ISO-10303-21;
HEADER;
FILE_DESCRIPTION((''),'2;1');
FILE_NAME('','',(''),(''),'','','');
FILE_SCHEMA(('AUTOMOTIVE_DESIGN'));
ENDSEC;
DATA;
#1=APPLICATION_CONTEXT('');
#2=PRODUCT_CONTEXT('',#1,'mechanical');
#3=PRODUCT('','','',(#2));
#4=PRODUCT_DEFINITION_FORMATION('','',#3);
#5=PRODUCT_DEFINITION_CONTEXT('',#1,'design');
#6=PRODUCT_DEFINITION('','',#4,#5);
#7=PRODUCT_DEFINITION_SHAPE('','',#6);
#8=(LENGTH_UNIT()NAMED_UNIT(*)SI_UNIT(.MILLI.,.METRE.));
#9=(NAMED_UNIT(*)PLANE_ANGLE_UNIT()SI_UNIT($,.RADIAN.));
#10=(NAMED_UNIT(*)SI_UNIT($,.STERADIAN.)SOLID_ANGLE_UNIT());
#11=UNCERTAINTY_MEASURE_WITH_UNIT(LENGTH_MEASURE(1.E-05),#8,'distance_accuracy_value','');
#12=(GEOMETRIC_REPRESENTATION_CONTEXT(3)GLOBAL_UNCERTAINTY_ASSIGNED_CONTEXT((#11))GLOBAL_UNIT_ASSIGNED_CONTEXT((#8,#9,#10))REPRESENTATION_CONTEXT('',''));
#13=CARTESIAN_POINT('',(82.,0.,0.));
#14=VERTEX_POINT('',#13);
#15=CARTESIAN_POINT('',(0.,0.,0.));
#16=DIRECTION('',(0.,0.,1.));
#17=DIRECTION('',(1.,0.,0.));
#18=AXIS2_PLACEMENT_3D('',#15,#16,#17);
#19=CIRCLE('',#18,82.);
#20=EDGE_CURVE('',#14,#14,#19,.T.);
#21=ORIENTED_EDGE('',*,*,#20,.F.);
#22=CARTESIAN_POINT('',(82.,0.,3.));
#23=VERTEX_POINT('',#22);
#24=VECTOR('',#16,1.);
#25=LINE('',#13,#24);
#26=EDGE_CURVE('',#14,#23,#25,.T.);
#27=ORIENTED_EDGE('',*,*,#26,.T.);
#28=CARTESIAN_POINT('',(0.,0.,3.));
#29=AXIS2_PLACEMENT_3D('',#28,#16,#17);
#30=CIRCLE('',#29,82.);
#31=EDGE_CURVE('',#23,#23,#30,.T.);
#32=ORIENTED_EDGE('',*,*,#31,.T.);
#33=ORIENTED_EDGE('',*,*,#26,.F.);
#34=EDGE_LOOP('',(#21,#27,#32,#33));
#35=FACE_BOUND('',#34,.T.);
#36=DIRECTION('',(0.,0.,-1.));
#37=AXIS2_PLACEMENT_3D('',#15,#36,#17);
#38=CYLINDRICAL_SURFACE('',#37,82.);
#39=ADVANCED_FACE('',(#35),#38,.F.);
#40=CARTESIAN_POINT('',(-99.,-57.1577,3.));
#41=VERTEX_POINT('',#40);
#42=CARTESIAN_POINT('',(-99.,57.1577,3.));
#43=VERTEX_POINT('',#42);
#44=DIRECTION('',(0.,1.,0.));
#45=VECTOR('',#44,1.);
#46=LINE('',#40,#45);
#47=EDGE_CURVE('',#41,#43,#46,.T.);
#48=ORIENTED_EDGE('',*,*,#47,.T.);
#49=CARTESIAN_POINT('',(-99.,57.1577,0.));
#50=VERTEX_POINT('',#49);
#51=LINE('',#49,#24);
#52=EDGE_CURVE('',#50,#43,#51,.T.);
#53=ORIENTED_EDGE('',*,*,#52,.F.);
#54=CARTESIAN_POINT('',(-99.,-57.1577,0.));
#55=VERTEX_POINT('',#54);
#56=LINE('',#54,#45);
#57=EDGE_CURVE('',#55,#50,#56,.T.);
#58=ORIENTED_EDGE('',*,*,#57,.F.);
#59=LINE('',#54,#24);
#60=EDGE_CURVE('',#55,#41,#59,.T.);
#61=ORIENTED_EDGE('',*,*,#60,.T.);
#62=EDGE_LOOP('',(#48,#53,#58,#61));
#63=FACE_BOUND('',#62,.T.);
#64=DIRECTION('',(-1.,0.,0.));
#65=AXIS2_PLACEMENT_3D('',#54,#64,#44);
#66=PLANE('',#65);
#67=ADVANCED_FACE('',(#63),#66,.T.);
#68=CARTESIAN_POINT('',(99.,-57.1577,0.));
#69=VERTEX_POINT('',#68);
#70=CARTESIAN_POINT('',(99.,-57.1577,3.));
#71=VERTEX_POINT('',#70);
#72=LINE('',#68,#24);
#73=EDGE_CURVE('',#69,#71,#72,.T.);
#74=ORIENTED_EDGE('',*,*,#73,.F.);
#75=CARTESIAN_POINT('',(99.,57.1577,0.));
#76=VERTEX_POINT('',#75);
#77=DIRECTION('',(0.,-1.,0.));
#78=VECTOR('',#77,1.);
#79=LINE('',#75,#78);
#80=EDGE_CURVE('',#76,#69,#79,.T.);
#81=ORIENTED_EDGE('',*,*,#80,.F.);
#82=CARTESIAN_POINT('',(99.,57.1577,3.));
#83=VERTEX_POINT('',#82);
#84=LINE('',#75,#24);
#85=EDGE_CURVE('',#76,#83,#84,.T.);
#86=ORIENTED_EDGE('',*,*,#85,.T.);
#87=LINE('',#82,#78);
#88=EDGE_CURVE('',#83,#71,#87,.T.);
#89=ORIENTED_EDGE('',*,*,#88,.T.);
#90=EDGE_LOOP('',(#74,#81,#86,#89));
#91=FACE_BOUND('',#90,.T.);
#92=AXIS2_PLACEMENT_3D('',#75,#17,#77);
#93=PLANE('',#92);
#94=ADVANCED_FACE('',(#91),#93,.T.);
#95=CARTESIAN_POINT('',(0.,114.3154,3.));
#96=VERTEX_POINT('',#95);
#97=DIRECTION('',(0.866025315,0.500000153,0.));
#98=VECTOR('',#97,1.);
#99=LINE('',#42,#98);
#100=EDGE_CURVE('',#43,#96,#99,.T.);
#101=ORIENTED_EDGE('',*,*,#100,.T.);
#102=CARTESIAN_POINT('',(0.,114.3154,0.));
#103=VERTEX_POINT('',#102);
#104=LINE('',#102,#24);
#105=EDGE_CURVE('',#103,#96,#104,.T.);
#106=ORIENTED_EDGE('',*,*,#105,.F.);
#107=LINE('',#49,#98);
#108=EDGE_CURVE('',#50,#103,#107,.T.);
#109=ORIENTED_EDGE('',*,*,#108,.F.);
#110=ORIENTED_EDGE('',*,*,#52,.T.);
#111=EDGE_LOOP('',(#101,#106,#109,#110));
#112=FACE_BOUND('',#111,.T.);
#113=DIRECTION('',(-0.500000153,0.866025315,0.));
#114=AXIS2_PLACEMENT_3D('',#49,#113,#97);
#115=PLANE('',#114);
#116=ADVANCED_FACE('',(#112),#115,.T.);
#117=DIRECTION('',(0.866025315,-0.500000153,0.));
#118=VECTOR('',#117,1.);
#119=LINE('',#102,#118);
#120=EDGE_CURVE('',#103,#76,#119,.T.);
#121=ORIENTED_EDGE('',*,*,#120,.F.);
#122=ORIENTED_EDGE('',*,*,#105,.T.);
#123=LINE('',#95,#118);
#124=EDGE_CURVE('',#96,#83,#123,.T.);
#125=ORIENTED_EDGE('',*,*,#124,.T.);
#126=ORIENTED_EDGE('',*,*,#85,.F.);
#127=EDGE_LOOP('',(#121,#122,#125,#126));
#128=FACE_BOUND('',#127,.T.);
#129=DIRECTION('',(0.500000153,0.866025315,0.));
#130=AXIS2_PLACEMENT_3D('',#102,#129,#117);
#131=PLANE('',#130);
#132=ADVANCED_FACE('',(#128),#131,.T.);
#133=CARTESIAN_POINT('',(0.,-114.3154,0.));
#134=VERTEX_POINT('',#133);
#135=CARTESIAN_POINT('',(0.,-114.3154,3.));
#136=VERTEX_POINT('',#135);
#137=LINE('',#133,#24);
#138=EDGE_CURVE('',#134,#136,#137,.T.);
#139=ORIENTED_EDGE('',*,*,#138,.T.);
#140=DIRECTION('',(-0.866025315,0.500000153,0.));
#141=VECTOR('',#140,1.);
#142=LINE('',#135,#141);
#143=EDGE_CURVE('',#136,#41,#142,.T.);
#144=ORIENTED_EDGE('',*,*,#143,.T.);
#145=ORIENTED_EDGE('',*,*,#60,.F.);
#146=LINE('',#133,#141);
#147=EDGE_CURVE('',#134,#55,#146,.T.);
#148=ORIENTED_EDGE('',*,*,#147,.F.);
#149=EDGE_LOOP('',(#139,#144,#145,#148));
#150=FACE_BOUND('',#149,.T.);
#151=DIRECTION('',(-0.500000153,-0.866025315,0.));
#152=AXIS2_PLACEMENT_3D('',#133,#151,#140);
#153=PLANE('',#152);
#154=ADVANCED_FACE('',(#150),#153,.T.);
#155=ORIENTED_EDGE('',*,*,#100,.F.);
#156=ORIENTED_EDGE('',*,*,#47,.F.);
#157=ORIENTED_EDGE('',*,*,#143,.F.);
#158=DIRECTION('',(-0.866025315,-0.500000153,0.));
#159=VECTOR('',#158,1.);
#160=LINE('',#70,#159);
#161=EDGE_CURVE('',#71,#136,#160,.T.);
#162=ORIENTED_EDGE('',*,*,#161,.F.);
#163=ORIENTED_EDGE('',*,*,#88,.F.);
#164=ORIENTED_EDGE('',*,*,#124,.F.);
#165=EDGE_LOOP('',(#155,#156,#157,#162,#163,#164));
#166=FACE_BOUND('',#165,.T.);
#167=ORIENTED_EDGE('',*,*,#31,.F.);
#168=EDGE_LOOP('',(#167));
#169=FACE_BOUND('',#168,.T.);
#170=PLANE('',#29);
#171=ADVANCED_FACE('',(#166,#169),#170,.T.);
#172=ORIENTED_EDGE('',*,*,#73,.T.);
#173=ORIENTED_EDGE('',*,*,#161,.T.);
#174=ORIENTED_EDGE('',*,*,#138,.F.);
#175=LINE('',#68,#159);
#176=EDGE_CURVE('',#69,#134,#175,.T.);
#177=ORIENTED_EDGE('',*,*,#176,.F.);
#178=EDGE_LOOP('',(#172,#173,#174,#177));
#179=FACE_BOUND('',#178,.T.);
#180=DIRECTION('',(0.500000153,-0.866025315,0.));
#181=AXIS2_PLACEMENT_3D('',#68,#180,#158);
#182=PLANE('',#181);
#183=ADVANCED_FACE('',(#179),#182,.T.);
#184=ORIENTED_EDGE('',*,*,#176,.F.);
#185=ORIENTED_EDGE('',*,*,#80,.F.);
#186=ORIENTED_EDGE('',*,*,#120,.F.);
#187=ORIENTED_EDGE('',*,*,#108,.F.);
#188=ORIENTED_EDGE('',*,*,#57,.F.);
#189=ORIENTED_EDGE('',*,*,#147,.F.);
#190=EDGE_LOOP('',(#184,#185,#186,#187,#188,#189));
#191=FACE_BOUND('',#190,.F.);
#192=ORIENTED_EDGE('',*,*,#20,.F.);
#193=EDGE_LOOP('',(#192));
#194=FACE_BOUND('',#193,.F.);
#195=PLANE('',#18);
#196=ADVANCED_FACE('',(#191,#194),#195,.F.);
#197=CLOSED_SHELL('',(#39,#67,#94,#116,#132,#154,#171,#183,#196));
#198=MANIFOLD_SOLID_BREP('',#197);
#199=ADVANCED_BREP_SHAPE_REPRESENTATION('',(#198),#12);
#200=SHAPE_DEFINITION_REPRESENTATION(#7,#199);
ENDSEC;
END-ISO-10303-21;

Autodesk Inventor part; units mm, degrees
ref_plane "YZ Plane" through (0, 0, 0) normal (1, 0, 0) x (0, 1, 0)
ref_plane "XZ Plane" through (0, 0, 0) normal (0, 1, 0) x (-1, 0, 0)
ref_plane "XY Plane" through (0, 0, 0) normal (0, 0, 1) x (1, 0, 0)
sketch "Sketch8" plane through (0, 0, 0) normal (0, 0, 1) x (1, 0, 0)
  circle A0 centre (0, 0) radius 82
  line L0 (99, -57.1577) -> (0, -114.3154)
  line L1 (0, -114.3154) -> (-99, -57.1577)
  line L2 (-99, -57.1577) -> (-99, 57.1577)
  line L3 (-99, 57.1577) -> (0, 114.3154)
  line L4 (0, 114.3154) -> (99, 57.1577)
  line L5 (99, 57.1577) -> (99, -57.1577)
  dimension "d44" = 164
  dimension "d47" = 198
extrude "Plate3" add sketch "Sketch8" along normal blind 3
equation "\"d48\" = Thickness"
equation "\"BendRadius\" = Thickness"
equation "\"BendReliefWidth\" = Thickness"
equation "\"BendReliefDepth\" = 0.5 * Thickness"
equation "\"CornerReliefSize\" = 4 * Thickness"
equation "\"MinimumRemnant\" = 2 * Thickness"
equation "\"TransitionRadius\" = BendRadius"
equation "\"JacobiRadiusSize\" = BendRadius"
equation "\"GapSize\" = Thickness"
equation "\"Octaeder_side\" = d41"
equation "\"Octaeder_flange_lenth\" = d42"
equation "\"Thickness\" = 3"
equation "\"d41\" = 55.918831"
equation "\"d42\" = 72.5"
properties part number "DSB 121 drain system reduce flange"
